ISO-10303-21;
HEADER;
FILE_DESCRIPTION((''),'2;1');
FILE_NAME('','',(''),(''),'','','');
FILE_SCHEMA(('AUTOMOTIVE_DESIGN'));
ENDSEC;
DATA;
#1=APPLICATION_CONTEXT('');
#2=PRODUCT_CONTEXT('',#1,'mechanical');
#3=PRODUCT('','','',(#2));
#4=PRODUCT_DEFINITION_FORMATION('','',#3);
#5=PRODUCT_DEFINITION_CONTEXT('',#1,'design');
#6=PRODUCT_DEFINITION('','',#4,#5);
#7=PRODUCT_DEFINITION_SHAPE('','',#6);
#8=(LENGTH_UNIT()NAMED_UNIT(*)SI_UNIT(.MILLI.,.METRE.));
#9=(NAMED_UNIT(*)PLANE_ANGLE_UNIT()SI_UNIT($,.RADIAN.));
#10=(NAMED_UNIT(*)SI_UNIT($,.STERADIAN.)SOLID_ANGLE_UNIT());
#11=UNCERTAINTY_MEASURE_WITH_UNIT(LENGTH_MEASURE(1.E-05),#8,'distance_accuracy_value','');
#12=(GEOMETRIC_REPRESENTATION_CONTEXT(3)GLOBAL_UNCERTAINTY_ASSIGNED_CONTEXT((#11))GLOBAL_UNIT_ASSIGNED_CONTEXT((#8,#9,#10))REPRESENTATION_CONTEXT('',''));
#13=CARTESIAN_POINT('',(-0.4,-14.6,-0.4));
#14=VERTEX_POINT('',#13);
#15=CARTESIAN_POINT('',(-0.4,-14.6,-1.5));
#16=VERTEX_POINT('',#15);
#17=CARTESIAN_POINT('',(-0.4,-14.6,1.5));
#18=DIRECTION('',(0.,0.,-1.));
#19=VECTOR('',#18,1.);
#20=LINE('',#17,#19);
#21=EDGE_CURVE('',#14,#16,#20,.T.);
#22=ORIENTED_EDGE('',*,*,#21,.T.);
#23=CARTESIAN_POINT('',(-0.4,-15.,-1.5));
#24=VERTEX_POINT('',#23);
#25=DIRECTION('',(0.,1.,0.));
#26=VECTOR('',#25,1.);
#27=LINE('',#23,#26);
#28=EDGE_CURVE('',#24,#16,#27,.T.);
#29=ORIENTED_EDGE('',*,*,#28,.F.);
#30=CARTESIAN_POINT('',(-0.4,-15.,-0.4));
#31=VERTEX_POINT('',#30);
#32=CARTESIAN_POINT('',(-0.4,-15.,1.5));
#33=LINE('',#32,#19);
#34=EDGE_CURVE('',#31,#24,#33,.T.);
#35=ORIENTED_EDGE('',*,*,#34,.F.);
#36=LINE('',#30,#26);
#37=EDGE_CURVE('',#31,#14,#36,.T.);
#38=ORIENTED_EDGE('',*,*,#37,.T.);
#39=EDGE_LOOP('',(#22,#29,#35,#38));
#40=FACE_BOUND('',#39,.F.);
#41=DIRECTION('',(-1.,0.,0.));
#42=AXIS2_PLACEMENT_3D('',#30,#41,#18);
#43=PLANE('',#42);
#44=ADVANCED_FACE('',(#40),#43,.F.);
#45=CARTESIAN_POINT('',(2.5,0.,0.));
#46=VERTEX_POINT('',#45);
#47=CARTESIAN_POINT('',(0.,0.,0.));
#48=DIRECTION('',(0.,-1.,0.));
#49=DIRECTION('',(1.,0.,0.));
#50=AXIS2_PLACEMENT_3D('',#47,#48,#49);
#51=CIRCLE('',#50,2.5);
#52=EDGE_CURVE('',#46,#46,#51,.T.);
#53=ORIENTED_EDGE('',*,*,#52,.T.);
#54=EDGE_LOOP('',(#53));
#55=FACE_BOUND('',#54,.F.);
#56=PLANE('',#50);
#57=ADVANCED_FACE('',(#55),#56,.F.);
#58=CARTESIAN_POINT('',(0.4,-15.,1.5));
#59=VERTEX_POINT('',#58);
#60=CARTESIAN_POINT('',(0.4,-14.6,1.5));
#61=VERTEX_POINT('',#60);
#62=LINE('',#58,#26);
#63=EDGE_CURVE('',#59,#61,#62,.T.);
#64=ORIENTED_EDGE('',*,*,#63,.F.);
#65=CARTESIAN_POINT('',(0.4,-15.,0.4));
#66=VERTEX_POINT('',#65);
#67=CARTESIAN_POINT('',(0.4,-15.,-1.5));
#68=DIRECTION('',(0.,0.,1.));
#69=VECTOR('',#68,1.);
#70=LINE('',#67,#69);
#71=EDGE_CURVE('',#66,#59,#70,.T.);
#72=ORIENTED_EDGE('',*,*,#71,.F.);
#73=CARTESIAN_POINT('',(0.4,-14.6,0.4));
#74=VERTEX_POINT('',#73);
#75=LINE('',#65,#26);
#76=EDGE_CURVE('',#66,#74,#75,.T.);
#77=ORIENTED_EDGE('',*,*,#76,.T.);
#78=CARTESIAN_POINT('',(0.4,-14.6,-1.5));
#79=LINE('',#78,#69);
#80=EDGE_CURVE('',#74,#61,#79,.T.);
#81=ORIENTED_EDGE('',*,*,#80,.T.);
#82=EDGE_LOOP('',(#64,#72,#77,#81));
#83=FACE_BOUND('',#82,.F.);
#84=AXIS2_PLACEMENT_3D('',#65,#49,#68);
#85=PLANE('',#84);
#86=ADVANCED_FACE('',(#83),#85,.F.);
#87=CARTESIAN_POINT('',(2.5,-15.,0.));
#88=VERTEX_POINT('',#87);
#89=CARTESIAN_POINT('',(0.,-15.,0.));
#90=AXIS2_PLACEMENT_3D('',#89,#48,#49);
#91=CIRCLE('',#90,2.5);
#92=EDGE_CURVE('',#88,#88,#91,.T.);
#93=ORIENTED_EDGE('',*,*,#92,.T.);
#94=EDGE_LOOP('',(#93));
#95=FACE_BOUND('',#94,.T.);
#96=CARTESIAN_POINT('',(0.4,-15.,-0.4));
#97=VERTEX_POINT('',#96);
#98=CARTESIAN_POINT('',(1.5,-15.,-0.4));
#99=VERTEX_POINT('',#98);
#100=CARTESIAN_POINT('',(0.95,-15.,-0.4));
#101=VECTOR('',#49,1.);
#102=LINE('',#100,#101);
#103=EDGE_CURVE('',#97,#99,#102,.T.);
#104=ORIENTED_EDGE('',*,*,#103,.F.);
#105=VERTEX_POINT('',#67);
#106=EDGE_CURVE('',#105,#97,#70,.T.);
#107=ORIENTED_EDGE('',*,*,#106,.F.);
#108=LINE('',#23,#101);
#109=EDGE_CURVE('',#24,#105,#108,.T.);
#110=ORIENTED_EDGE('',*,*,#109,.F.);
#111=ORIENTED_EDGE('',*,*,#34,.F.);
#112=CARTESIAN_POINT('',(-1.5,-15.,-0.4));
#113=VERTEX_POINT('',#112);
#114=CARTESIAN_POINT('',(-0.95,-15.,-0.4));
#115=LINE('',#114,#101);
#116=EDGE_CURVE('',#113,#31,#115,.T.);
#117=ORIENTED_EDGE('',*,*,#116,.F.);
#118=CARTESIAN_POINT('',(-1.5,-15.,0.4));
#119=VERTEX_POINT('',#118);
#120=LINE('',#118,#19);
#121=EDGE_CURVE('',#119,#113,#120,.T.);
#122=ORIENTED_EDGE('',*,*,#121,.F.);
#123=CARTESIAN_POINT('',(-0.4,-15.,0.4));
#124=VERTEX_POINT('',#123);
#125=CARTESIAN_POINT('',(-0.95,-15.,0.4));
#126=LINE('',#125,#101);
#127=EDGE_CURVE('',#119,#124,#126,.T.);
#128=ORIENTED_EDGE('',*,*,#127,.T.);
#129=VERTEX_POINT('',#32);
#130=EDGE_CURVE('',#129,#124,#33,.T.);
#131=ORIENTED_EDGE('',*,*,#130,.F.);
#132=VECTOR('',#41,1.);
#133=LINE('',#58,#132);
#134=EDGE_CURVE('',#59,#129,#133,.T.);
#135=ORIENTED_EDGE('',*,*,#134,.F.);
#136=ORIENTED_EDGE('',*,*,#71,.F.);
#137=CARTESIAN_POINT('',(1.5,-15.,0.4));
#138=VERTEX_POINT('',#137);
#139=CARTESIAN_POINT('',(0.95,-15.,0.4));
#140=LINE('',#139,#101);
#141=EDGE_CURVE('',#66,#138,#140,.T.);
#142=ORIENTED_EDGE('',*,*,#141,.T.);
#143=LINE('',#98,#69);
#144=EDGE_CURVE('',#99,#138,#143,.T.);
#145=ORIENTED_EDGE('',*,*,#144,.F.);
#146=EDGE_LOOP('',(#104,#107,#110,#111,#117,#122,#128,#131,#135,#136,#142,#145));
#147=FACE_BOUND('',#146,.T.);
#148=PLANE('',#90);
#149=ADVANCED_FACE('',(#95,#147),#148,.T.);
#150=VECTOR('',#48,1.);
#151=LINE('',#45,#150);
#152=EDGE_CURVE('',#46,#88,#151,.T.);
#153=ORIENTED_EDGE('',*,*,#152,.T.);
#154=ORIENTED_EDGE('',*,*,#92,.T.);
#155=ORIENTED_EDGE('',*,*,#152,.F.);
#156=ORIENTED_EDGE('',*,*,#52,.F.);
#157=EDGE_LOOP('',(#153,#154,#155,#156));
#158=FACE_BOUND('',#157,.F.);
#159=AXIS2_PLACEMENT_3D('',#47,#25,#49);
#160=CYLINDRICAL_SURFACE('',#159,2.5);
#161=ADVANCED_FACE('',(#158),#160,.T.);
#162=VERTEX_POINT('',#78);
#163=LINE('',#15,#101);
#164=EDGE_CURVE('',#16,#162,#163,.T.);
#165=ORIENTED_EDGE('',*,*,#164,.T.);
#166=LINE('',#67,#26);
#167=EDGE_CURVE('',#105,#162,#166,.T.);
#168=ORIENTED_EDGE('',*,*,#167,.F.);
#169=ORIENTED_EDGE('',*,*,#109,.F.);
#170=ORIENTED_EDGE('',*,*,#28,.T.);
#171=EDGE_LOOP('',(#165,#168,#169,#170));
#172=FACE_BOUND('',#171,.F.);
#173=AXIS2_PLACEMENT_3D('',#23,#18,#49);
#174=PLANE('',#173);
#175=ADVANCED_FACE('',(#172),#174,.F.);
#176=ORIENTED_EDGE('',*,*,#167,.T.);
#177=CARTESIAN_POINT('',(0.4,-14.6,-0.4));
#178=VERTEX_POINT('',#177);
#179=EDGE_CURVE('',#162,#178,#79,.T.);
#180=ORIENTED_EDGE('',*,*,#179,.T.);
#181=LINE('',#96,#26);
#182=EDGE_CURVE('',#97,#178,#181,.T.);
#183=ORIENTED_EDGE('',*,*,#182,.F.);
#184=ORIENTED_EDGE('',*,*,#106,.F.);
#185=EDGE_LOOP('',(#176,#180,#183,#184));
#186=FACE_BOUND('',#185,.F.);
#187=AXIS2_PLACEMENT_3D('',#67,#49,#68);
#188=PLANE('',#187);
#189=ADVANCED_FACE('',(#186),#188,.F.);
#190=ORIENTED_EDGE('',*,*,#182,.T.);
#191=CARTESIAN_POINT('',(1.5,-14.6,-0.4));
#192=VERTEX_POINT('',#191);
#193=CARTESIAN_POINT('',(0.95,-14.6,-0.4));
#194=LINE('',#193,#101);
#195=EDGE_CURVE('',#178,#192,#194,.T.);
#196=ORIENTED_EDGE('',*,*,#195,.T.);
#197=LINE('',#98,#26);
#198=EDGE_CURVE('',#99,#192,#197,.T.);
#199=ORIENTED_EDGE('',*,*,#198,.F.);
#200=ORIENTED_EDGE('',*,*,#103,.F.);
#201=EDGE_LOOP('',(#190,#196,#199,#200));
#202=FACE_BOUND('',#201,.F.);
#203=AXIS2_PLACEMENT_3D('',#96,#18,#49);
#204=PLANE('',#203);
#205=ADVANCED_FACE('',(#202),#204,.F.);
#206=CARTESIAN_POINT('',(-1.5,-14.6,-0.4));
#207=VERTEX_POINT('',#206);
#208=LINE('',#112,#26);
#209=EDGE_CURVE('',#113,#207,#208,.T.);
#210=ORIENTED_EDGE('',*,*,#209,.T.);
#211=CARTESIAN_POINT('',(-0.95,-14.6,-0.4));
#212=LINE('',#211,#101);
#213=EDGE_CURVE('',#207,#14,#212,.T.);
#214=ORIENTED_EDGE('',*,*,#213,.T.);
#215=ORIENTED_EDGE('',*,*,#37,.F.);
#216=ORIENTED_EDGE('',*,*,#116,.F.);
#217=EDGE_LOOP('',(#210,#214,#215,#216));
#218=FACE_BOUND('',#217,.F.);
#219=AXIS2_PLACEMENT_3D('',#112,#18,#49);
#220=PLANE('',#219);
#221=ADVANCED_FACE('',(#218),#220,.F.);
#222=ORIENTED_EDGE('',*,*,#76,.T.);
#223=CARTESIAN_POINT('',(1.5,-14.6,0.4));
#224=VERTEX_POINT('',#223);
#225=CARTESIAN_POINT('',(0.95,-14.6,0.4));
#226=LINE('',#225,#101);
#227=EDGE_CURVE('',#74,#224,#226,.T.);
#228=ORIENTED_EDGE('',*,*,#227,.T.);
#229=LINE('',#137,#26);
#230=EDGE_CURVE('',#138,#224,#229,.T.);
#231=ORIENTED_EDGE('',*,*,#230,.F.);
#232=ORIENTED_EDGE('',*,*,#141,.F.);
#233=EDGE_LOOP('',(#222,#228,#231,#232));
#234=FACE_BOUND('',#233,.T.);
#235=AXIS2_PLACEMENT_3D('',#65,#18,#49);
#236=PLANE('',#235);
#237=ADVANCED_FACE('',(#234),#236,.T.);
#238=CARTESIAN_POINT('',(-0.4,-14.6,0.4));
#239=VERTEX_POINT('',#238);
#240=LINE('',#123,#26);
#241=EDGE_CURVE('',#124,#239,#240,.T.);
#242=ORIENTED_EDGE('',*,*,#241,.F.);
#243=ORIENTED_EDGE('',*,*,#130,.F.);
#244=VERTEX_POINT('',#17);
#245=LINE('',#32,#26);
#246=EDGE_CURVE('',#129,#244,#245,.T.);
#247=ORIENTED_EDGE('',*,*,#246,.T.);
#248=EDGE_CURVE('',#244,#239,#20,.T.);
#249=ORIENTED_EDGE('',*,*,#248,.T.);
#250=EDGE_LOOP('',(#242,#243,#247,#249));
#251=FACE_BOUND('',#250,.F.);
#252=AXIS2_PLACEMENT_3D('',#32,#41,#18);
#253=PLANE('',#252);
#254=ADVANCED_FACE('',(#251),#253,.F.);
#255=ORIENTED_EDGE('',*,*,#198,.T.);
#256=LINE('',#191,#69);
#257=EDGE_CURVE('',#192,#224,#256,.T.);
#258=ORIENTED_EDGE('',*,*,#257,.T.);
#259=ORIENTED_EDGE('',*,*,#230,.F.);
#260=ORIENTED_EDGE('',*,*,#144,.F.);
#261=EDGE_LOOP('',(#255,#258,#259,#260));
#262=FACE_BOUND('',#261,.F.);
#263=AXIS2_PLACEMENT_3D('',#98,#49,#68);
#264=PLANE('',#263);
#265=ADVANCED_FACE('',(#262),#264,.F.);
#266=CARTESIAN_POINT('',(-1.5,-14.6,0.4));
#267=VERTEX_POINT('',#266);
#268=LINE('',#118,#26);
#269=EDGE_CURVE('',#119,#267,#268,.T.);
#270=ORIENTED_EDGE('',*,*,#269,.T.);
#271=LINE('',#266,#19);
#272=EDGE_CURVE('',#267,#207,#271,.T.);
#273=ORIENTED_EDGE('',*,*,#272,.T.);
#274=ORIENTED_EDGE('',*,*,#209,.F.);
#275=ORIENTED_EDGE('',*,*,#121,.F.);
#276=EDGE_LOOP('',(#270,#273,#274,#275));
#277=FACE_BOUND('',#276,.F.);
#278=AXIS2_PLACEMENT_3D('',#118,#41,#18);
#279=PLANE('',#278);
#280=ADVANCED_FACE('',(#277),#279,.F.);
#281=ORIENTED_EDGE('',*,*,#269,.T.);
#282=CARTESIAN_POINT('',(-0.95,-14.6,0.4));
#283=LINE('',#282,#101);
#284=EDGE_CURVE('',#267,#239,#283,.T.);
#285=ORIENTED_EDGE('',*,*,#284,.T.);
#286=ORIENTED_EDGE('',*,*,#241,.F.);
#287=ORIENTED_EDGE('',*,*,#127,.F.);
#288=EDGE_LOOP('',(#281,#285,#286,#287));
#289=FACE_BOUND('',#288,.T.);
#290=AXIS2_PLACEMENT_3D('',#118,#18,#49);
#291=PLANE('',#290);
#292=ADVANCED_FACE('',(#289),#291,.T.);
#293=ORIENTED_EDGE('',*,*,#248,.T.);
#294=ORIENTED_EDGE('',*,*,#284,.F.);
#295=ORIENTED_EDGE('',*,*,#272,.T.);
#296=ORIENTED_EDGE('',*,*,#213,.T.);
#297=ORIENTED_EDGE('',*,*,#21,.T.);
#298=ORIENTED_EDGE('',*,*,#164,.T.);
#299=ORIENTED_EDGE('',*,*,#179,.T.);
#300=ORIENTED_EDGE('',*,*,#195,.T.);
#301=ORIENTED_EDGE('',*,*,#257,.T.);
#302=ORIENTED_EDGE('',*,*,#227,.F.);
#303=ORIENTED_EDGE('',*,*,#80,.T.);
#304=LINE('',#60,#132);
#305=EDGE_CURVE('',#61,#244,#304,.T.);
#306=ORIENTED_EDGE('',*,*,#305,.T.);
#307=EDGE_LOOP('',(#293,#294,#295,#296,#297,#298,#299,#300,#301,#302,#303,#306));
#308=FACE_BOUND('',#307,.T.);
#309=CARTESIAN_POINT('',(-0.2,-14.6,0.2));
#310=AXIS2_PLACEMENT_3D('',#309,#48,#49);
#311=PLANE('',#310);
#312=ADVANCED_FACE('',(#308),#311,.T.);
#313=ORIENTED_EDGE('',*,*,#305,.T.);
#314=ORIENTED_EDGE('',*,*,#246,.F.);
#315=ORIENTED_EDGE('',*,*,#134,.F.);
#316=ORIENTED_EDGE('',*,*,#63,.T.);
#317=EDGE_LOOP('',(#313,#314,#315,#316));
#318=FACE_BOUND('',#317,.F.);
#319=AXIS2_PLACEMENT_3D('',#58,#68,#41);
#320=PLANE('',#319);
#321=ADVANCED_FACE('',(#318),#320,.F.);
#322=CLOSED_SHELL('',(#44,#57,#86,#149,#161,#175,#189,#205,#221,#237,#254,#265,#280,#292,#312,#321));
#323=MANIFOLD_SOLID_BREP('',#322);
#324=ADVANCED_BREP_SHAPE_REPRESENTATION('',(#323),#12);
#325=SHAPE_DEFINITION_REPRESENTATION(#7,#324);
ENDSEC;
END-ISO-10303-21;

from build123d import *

# Parameters (mm, degrees)
F0_W     = 120
F0_H     = 4
F1_DEPTH = 4
F3_R     = 2.5
F4_DEPTH = 15
F5_W     = 0.4
F5_H     = 0.4
F5_H_2   = 1.1
F5_W_2   = 1.1
F6_DEPTH = 0.4


with BuildPart() as f1:
    # F0 (on Top) → F1 (new body)
    with BuildSketch(Plane.XY):
        Polygon((-79.6833248483, 0), (-93.6833248483, 0), (-93.6833248483, -12), (-79.6833248483, -12), (-79.6833248483, -8), (-79.6833248483, -4), align=None)
        with Locations((-19.6833248483, -2)):
            Rectangle(F0_W, F0_H)
        Polygon((54.3166751517, 0), (40.3166751517, 0), (40.3166751517, -4), (40.3166751517, -8), (40.3166751517, -12), (54.3166751517, -12), align=None)
        with Locations((-19.6833248483, -10)):
            Rectangle(F0_W, F0_H)
    extrude(amount=F1_DEPTH)


with BuildPart() as f4:
    # F3 (on Front) → F4 (new body)
    with BuildSketch(Plane.XZ):
        Circle(F3_R)
    extrude(amount=F4_DEPTH)

    # F5 (on face) → F6 (cut)
    with BuildSketch(Plane.XZ.offset(15)):
        with Locations((-0.2, 0.2)):
            Rectangle(F5_W, F5_H)
        with Locations((0.2, -0.2)):
            Rectangle(F5_W, F5_H)
        with Locations((-0.2, -0.2)):
            Rectangle(F5_W, F5_H)
        with Locations((0.2, 0.2)):
            Rectangle(F5_W, F5_H)
        with Locations((-0.2, 0.95)):
            Rectangle(F5_W, F5_H_2)
        with Locations((0.2, 0.95)):
            Rectangle(F5_W, F5_H_2)
        with Locations((0.2, -0.95)):
            Rectangle(F5_W, F5_H_2)
        with Locations((-0.2, -0.95)):
            Rectangle(F5_W, F5_H_2)
        with Locations((-0.95, -0.2)):
            Rectangle(F5_W_2, F5_H)
        with Locations((-0.95, 0.2)):
            Rectangle(F5_W_2, F5_H)
        with Locations((0.95, 0.2)):
            Rectangle(F5_W_2, F5_H)
        with Locations((0.95, -0.2)):
            Rectangle(F5_W_2, F5_H)
    extrude(amount=-F6_DEPTH, mode=Mode.SUBTRACT)


solid = f4.part
